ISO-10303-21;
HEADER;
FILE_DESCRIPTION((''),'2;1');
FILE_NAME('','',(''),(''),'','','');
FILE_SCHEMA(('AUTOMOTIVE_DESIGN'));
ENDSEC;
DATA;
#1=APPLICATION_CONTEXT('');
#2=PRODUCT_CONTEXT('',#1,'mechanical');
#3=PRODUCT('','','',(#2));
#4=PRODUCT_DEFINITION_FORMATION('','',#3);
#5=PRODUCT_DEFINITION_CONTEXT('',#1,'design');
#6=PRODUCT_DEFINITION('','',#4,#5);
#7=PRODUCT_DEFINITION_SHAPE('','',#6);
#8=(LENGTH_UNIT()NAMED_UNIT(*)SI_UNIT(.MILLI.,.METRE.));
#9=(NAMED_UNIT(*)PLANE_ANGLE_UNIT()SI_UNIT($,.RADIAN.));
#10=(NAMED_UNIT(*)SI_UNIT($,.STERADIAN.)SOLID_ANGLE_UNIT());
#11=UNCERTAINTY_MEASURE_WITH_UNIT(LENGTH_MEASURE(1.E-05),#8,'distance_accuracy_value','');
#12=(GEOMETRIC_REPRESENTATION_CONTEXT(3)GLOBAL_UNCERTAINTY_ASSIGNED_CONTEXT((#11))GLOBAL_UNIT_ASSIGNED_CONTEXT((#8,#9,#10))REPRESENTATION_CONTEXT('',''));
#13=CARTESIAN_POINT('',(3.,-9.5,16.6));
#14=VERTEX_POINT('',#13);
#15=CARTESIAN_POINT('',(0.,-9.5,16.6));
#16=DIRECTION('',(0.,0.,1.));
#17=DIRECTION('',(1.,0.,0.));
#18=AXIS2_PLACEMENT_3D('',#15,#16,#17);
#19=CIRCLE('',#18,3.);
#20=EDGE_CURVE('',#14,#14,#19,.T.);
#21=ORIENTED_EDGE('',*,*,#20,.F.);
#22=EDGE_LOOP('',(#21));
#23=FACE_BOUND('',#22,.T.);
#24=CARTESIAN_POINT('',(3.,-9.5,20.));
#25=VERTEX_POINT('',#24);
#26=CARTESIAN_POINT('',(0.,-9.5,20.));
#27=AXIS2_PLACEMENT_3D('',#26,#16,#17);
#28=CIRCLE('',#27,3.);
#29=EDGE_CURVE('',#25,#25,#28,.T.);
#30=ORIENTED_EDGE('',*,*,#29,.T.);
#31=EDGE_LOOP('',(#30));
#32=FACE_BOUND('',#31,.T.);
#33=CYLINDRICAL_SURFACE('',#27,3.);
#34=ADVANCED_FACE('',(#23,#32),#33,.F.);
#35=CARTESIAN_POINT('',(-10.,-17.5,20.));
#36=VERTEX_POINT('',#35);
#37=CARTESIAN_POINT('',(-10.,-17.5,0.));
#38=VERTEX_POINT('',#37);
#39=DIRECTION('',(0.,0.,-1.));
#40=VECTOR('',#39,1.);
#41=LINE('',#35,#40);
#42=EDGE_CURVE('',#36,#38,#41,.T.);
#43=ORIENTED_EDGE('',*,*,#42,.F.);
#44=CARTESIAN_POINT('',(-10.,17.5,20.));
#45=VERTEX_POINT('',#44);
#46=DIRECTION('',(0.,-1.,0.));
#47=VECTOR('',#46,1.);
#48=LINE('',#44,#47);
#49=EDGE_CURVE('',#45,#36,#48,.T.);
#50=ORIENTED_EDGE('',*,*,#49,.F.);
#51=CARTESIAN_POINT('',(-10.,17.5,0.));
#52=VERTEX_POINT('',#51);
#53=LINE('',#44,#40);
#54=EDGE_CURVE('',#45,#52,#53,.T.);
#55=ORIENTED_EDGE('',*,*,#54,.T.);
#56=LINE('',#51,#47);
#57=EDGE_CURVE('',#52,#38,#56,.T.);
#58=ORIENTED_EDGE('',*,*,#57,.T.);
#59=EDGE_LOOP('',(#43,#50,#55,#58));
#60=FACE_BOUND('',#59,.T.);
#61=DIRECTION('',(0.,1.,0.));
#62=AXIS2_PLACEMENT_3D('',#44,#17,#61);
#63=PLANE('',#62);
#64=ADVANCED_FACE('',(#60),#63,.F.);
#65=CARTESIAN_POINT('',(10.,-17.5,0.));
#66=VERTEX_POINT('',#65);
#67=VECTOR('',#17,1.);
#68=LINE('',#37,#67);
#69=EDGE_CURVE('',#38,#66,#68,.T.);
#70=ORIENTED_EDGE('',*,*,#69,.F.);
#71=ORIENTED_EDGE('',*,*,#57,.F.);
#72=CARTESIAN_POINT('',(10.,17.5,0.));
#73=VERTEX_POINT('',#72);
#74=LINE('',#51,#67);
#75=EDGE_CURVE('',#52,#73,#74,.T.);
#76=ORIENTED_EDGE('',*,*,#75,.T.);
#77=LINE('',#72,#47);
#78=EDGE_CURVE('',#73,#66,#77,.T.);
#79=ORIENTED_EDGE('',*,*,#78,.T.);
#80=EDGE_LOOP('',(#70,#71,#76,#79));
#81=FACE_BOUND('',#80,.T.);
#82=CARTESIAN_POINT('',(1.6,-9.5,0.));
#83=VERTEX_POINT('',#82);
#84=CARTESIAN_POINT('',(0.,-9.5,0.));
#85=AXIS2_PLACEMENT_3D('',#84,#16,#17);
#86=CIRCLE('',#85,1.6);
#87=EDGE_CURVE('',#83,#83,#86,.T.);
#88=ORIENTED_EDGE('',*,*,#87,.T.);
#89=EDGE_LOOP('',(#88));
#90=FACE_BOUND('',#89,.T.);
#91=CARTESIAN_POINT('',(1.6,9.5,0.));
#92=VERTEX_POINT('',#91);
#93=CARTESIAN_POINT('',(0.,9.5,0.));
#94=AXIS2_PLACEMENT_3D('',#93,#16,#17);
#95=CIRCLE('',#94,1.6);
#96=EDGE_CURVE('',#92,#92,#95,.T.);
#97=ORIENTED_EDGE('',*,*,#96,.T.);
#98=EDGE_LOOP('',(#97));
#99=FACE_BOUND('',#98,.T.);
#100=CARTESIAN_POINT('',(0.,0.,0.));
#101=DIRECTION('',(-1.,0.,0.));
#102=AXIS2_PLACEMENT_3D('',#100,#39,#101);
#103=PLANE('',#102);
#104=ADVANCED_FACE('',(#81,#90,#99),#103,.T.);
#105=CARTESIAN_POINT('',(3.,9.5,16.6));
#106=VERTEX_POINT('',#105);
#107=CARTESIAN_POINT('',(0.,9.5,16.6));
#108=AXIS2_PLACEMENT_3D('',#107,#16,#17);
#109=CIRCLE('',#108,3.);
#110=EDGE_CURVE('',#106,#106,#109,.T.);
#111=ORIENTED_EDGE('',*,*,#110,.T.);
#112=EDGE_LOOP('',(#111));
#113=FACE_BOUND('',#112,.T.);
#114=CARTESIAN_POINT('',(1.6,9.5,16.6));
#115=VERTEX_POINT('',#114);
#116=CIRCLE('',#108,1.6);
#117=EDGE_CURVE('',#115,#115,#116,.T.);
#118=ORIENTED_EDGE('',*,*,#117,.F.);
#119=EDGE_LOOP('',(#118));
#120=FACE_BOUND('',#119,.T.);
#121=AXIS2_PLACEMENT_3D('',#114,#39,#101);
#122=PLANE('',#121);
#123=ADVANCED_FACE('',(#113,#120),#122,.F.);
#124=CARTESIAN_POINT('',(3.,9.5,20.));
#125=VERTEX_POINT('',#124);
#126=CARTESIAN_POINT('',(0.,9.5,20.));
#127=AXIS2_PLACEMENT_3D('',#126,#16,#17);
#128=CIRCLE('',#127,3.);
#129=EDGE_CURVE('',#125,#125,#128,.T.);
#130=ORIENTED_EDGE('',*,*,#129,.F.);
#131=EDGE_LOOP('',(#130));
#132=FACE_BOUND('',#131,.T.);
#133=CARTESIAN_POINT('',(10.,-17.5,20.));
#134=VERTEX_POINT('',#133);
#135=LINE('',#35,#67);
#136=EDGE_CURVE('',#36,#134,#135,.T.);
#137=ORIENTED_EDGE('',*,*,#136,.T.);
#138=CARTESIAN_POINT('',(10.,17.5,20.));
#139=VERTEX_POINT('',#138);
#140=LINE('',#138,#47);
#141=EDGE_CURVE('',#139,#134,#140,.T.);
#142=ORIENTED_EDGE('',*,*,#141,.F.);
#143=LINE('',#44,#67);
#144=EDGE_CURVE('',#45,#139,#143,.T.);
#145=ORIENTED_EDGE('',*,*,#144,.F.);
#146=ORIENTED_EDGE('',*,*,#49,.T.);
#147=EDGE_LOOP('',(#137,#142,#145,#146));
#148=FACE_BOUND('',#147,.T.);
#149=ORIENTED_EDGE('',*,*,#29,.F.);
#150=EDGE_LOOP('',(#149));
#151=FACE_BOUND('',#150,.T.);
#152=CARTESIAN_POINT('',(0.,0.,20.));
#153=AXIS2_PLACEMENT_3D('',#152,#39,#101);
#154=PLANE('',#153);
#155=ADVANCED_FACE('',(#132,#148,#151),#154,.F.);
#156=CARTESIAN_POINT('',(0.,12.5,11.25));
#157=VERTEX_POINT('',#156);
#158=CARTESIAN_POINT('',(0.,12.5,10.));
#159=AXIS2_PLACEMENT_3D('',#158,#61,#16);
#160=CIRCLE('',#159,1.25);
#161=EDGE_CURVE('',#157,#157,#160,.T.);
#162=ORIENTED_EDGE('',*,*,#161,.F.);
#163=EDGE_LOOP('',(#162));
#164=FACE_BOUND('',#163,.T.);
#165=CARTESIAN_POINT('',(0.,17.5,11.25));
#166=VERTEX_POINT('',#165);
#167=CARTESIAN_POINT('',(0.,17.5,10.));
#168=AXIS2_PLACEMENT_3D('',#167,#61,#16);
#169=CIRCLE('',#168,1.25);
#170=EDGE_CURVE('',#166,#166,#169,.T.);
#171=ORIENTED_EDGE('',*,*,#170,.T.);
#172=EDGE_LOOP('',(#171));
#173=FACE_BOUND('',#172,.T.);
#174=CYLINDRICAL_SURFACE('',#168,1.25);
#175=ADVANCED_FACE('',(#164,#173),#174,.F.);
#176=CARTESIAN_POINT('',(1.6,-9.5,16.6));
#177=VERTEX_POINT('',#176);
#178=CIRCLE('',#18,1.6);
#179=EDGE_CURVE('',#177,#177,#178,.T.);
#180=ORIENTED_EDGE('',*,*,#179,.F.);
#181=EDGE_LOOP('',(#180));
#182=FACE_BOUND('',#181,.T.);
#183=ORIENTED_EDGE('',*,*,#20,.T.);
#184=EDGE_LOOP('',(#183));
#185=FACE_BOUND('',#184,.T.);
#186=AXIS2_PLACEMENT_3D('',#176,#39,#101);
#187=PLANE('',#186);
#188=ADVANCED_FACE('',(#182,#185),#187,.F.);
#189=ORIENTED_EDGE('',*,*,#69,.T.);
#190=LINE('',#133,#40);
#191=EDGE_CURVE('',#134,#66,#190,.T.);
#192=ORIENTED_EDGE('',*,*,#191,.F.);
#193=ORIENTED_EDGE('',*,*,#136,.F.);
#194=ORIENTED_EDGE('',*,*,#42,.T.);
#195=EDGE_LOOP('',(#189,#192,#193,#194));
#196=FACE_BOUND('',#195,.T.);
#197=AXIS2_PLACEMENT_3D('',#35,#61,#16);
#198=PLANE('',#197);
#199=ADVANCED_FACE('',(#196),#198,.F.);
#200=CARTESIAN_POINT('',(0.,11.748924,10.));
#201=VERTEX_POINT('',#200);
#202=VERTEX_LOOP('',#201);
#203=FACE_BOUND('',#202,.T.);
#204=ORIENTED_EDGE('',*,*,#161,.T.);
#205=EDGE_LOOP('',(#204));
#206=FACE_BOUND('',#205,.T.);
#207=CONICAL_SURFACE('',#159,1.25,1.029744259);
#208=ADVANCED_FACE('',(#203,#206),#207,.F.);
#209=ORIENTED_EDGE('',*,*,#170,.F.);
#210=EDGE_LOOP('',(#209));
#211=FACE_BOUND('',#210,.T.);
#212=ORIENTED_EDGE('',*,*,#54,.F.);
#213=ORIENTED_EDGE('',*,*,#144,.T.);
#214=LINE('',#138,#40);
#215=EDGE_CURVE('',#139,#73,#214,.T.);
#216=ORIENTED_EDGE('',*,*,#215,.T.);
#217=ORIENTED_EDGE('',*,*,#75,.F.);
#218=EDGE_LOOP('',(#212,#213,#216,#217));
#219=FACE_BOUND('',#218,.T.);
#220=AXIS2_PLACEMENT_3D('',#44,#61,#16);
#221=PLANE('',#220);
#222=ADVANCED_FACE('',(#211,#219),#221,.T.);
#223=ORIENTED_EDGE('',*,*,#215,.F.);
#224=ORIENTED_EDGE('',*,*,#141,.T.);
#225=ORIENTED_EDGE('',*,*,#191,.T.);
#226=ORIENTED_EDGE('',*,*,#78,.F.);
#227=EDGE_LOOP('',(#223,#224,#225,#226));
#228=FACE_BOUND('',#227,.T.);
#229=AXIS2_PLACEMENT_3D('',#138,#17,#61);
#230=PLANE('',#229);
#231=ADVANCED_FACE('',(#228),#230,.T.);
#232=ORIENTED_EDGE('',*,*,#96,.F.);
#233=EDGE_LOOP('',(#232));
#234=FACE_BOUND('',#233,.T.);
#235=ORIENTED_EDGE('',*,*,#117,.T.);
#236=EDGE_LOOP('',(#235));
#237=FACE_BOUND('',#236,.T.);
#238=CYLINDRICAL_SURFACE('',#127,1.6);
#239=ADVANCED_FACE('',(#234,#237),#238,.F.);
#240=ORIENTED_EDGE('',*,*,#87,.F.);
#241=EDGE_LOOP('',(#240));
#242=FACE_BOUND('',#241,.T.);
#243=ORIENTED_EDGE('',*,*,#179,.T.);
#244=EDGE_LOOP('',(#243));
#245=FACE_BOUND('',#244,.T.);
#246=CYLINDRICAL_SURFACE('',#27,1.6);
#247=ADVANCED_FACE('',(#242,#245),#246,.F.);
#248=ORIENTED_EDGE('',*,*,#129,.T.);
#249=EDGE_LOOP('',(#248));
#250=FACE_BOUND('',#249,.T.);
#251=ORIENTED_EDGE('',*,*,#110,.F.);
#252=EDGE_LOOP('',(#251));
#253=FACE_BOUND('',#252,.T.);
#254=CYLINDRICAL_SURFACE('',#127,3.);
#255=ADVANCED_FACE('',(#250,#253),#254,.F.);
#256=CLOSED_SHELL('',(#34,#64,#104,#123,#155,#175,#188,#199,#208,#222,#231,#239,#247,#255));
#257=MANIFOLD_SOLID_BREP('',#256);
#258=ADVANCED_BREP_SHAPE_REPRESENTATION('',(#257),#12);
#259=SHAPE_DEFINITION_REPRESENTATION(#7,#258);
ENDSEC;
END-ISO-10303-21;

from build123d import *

# Parameters (mm, degrees)
SKETCH1_W                                            = 20
SKETCH1_H                                            = 35
BOSS_EXTRUDE1_DEPTH                                  = 20
CBORE_FOR_M3_HEXAGON_SOCKET_HEAD_CAP_SCR_D           = 3.2
CBORE_FOR_M3_HEXAGON_SOCKET_HEAD_CAP_SCR_CBORE_D     = 6
CBORE_FOR_M3_HEXAGON_SOCKET_HEAD_CAP_SCR_CBORE_DEPTH = 3.4
TAP_DRILL_FOR_M3_TAP1_D                              = 2.5
TAP_DRILL_FOR_M3_TAP1_DEPTH                          = 5
TAP_DRILL_FOR_M3_TAP1_TIP                            = 0.751075774


with BuildPart() as part:
    # Sketch1 → Boss-Extrude1 (new body)
    with BuildSketch(Plane.XY):
        Rectangle(SKETCH1_W, SKETCH1_H)
    extrude(amount=BOSS_EXTRUDE1_DEPTH)

    # CBORE for M3 Hexagon socket head cap screws1 (through all)
    with Locations(Plane(origin=(0, 9.5, 20), x_dir=(1, 0, 0), z_dir=(0, 0, 1))):
        with Locations((0, 0), (0, -19)):
            CounterBoreHole(CBORE_FOR_M3_HEXAGON_SOCKET_HEAD_CAP_SCR_D / 2, CBORE_FOR_M3_HEXAGON_SOCKET_HEAD_CAP_SCR_CBORE_D / 2, CBORE_FOR_M3_HEXAGON_SOCKET_HEAD_CAP_SCR_CBORE_DEPTH)

    # Tap Drill for M3 Tap1
    with Locations(Plane(origin=(0, 17.5, 0), x_dir=(1, 0, 0), z_dir=(0, 1, 0))):
        with Locations((0, -10)):
            Hole(TAP_DRILL_FOR_M3_TAP1_D / 2, depth=TAP_DRILL_FOR_M3_TAP1_DEPTH)
            with Locations((0, 0, -(TAP_DRILL_FOR_M3_TAP1_DEPTH + TAP_DRILL_FOR_M3_TAP1_TIP / 2))):  # 118° drill point
                Cone(0, TAP_DRILL_FOR_M3_TAP1_D / 2, TAP_DRILL_FOR_M3_TAP1_TIP, mode=Mode.SUBTRACT)


solid = part.part
